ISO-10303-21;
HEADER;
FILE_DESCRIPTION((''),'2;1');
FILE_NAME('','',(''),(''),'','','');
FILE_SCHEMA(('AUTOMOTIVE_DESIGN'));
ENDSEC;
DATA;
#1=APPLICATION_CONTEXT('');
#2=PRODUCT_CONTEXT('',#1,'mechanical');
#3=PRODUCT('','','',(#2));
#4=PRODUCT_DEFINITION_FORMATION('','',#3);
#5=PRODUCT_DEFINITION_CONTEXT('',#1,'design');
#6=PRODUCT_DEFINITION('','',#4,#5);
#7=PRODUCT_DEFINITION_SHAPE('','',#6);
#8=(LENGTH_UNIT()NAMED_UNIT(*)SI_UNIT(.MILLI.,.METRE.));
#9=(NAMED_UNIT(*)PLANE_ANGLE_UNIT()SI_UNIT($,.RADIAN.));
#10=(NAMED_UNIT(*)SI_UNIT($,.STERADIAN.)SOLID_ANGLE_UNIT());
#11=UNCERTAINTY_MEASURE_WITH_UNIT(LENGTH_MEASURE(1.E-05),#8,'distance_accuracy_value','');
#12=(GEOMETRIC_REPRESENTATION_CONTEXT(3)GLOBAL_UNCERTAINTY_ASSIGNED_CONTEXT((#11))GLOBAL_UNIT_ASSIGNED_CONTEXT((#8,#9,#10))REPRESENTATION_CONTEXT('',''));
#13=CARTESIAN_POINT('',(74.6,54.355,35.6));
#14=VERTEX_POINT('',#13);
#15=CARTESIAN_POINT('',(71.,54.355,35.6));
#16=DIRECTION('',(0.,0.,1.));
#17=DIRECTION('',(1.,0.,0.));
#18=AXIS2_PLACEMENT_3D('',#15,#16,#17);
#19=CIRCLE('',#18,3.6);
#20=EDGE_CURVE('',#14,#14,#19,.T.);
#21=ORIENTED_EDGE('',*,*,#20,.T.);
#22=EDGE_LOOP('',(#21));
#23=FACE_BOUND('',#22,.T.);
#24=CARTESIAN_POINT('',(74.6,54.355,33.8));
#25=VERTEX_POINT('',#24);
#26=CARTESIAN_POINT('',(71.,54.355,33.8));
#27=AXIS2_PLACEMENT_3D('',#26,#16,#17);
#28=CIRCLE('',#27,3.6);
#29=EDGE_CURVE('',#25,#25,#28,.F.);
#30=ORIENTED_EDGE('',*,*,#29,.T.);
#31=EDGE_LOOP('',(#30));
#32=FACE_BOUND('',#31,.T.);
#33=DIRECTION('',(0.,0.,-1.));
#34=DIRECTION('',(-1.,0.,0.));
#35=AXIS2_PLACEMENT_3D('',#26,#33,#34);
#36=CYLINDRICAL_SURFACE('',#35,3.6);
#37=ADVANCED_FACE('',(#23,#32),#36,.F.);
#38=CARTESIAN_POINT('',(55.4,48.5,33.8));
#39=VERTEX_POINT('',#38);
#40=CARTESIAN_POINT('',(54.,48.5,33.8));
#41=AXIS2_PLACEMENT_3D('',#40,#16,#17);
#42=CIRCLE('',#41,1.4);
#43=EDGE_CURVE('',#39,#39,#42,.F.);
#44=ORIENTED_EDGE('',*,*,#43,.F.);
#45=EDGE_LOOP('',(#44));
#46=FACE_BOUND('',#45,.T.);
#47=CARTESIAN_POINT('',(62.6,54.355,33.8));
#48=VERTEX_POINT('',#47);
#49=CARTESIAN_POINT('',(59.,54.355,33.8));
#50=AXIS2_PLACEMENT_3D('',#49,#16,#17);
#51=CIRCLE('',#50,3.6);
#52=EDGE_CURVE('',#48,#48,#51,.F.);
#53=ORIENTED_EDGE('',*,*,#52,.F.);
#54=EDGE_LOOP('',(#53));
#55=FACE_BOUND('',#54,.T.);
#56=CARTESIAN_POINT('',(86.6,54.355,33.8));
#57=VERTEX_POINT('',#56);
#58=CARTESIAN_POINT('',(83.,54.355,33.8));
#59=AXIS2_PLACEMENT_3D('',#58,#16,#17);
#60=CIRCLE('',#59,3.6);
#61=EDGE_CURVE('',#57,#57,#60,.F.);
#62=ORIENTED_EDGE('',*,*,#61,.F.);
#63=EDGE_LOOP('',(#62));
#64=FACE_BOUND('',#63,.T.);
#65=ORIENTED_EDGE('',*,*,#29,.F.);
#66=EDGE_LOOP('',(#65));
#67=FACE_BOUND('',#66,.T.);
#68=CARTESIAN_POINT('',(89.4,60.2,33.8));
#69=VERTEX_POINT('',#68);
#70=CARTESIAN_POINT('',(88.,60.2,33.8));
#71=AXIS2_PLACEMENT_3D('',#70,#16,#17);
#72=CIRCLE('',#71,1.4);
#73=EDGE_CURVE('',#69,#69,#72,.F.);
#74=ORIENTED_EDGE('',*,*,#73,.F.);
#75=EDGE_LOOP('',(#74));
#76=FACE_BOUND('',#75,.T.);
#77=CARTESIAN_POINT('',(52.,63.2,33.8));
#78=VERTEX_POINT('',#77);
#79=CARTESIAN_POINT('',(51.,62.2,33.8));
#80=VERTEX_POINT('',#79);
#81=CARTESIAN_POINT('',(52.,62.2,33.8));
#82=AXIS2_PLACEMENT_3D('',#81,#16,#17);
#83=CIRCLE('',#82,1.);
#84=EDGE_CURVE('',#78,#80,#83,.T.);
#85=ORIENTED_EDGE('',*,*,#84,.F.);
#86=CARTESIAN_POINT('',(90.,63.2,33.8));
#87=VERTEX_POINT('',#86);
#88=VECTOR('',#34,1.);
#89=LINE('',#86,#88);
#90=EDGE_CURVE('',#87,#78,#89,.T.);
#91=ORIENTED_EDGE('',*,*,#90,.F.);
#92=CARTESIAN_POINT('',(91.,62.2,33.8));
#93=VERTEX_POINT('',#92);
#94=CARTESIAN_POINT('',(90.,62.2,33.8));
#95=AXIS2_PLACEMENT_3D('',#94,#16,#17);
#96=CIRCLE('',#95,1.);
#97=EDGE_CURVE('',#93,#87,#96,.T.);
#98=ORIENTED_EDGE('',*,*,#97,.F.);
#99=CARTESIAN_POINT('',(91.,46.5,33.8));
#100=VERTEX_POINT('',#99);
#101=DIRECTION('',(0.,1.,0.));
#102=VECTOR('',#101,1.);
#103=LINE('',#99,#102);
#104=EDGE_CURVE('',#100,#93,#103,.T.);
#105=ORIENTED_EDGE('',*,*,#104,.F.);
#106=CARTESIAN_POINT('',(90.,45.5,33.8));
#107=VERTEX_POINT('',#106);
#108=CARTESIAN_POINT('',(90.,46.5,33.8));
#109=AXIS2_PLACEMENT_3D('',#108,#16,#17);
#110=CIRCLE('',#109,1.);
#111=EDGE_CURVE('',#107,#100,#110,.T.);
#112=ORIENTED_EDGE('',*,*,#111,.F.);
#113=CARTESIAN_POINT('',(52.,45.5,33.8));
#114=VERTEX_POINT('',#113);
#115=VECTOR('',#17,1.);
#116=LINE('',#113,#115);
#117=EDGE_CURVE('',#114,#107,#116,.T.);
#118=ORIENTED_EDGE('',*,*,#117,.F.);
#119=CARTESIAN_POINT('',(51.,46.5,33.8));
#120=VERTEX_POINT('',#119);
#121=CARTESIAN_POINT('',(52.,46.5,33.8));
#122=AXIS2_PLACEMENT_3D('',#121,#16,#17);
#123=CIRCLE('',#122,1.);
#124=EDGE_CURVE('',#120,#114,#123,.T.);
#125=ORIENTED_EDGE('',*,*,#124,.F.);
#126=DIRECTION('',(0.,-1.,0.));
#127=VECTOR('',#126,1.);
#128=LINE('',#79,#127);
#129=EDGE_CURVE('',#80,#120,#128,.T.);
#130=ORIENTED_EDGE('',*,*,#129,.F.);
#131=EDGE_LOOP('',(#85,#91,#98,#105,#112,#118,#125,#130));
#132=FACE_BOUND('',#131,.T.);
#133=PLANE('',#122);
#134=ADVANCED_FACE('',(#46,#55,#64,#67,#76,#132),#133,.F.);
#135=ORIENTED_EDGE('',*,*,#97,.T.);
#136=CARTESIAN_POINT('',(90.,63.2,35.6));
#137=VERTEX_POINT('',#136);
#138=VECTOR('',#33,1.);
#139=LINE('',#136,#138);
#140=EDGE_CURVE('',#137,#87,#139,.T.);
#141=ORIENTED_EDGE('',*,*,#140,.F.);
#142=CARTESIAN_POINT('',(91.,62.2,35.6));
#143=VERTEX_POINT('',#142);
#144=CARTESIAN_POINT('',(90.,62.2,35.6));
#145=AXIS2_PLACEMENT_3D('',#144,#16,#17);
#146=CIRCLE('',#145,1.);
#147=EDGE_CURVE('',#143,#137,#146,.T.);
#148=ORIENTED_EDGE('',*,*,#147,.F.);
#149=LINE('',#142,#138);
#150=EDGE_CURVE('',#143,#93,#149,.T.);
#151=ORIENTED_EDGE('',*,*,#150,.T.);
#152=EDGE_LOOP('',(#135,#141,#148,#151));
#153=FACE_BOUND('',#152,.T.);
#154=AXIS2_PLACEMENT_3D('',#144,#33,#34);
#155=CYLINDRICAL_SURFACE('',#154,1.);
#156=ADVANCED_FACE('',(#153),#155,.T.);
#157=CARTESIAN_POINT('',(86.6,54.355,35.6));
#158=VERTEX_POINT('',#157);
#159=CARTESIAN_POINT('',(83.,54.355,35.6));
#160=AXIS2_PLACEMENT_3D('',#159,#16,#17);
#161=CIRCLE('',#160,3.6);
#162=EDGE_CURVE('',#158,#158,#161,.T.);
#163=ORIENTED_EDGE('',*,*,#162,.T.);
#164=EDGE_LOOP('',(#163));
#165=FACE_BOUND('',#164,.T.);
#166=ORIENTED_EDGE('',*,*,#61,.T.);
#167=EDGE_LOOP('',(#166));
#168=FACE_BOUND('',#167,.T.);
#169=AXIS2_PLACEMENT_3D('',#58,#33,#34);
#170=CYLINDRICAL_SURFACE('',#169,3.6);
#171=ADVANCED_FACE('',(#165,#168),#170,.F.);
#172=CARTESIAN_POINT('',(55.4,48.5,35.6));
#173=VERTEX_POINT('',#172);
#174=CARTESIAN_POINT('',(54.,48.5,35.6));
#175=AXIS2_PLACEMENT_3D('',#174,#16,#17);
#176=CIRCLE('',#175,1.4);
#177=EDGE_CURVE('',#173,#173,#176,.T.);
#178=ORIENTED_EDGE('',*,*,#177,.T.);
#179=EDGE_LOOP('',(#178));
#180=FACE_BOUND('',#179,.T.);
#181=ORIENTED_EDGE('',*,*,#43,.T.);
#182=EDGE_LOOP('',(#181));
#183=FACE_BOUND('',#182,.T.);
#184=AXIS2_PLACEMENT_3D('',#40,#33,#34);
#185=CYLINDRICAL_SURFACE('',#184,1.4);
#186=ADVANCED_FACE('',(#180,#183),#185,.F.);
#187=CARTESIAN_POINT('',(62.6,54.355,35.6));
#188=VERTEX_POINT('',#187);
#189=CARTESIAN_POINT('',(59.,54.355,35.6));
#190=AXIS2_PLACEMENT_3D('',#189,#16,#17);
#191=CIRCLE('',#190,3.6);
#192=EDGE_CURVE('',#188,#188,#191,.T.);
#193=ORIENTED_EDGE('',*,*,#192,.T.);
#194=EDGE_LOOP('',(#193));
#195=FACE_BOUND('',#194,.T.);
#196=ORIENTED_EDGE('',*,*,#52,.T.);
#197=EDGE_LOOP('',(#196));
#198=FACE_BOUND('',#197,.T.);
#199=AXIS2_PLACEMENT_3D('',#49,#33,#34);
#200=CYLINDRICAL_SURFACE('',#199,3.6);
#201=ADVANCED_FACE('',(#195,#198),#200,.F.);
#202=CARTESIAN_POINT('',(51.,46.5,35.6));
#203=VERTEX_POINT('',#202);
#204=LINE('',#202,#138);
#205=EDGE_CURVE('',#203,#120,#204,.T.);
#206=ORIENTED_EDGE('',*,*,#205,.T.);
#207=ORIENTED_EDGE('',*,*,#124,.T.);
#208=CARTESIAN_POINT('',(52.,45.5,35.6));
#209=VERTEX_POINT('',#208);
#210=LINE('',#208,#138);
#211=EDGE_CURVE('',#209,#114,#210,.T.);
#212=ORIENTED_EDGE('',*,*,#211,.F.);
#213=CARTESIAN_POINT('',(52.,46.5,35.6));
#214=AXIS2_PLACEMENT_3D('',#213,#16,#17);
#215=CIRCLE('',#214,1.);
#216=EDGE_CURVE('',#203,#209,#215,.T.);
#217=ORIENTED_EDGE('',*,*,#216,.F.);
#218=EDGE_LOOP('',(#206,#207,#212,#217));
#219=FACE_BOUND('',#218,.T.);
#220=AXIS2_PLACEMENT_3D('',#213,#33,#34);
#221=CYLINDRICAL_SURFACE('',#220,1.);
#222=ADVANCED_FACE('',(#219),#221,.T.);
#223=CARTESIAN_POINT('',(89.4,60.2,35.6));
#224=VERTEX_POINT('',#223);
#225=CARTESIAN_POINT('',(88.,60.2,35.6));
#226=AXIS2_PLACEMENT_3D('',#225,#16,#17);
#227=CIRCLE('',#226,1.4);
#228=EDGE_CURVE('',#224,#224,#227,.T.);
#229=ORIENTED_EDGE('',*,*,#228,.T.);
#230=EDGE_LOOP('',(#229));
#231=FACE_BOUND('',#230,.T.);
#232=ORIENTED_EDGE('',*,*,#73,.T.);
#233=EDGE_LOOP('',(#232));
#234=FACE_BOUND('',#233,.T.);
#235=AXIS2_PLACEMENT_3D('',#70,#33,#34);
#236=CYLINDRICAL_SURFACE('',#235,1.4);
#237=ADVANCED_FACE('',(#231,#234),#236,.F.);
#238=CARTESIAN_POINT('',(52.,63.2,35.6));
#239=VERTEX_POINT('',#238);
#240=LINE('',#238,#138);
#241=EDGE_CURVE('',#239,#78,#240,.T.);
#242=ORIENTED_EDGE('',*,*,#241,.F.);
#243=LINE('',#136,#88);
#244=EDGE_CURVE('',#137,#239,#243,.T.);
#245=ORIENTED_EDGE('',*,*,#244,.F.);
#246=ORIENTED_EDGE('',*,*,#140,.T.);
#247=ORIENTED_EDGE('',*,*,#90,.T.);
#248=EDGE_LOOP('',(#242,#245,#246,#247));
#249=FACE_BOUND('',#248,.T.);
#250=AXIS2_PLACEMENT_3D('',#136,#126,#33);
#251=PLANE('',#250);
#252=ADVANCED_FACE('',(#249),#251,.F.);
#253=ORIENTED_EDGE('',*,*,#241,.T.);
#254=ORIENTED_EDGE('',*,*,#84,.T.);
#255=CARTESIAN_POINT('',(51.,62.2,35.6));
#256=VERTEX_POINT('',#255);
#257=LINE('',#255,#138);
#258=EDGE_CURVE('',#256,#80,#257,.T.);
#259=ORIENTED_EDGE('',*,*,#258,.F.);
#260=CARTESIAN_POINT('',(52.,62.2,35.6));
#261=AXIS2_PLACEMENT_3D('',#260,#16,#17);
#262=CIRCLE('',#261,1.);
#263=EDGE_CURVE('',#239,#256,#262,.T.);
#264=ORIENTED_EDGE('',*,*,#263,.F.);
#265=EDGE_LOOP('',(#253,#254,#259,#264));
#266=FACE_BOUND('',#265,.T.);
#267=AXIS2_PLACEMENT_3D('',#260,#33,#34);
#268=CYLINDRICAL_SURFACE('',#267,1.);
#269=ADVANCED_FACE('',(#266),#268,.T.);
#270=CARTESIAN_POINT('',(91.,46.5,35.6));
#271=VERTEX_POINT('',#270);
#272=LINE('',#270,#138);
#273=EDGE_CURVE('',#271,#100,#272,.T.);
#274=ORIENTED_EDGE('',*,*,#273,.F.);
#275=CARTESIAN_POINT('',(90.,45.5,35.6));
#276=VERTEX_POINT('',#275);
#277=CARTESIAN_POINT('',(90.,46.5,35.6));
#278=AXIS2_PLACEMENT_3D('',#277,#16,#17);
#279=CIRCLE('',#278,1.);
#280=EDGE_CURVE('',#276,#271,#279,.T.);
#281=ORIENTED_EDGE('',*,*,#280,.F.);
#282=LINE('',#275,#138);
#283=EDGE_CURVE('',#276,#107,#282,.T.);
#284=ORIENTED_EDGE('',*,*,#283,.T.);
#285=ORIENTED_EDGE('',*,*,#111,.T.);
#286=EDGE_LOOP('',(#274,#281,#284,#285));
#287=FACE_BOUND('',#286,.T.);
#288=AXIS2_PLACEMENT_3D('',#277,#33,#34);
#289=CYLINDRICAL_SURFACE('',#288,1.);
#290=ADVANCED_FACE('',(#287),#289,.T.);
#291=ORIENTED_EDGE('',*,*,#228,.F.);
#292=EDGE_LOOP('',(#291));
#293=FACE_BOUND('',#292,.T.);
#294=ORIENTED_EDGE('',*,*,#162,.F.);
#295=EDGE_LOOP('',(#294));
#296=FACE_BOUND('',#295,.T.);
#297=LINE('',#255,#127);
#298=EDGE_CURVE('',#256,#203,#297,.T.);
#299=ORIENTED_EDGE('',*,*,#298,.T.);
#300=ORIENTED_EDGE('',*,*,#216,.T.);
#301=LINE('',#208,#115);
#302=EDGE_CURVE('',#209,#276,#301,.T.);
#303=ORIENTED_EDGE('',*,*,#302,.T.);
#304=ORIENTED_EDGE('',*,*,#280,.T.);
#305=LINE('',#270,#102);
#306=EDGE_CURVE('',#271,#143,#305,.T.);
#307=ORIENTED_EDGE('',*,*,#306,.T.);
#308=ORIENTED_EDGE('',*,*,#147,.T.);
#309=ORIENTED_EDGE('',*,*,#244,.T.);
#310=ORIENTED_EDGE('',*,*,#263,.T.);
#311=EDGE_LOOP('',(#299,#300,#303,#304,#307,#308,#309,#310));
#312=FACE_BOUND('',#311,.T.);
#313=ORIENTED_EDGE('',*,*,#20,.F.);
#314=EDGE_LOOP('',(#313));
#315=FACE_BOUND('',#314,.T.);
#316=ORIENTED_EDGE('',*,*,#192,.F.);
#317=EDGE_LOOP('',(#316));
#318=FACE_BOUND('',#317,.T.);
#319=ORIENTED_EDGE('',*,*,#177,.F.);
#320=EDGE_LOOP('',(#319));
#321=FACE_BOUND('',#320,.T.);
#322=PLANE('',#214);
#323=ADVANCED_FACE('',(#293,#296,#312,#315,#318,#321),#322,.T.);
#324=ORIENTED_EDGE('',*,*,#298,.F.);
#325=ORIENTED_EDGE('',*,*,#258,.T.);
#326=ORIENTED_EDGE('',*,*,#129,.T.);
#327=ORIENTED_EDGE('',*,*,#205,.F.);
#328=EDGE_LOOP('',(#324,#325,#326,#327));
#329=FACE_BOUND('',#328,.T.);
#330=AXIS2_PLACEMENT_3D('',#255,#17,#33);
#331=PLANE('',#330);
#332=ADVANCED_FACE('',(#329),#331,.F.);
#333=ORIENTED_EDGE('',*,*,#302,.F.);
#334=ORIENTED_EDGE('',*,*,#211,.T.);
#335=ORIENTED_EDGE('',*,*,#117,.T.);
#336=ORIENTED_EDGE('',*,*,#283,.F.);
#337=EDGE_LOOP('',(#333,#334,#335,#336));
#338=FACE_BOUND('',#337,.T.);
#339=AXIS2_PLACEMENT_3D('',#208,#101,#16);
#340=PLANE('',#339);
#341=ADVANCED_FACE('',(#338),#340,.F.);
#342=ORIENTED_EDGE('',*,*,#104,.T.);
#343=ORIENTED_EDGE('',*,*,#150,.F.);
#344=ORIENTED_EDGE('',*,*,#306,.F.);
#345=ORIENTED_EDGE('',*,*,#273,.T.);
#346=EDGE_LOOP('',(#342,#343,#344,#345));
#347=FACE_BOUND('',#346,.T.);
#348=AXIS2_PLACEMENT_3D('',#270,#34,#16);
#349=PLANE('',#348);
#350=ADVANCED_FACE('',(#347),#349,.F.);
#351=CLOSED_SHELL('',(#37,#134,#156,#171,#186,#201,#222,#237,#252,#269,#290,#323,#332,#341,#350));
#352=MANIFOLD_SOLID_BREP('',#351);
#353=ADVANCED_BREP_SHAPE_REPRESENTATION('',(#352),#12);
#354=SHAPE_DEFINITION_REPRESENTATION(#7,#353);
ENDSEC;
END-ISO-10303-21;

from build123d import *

# Parameters (mm, degrees)
RETAINING_PLATE_START               = 33.8
RETAINING_PLATE_DEPTH               = 1.8
PLUNGERS_AND_M2P5_SCREWS_DEPTH      = 117.372677206
PLUNGERS_AND_M2P5_SCREWS_DEPTH_BACK = 117.372677206
SKETCH_2_R                          = 3.6
SKETCH_2_R_2                        = 1.4


with BuildPart() as part:
    # 草图1 → Retaining_plate (new body)
    with BuildSketch(Plane.XY.offset(RETAINING_PLATE_START)):
        with BuildLine():
            Line((52, 45.5), (90, 45.5))
            ThreePointArc((90, 45.5), (90.707106781, 45.792893219), (91, 46.5))
            Line((91, 46.5), (91, 62.2))
            ThreePointArc((91, 62.2), (90.707106781, 62.907106781), (90, 63.2))
            Line((90, 63.2), (52, 63.2))
            ThreePointArc((52, 63.2), (51.292893219, 62.907106781), (51, 62.2))
            Line((51, 62.2), (51, 46.5))
            ThreePointArc((51, 46.5), (51.292893219, 45.792893219), (52, 45.5))
        make_face()
    extrude(amount=RETAINING_PLATE_DEPTH)

    # 草图2 → Plungers_and_M2p5_screws (cut, two sides: drawn at the far end of the back side and taken through both)
    with BuildSketch(Plane.XY.offset(-PLUNGERS_AND_M2P5_SCREWS_DEPTH_BACK)):
        with Locations((59, 54.355)):
            Circle(SKETCH_2_R)
        with Locations((71, 54.355)):
            Circle(SKETCH_2_R)
        with Locations((83, 54.355)):
            Circle(SKETCH_2_R)
        with Locations((54, 48.5)):
            Circle(SKETCH_2_R_2)
        with Locations((88, 60.2)):
            Circle(SKETCH_2_R_2)
    extrude(amount=PLUNGERS_AND_M2P5_SCREWS_DEPTH + PLUNGERS_AND_M2P5_SCREWS_DEPTH_BACK, mode=Mode.SUBTRACT)


solid = part.part
